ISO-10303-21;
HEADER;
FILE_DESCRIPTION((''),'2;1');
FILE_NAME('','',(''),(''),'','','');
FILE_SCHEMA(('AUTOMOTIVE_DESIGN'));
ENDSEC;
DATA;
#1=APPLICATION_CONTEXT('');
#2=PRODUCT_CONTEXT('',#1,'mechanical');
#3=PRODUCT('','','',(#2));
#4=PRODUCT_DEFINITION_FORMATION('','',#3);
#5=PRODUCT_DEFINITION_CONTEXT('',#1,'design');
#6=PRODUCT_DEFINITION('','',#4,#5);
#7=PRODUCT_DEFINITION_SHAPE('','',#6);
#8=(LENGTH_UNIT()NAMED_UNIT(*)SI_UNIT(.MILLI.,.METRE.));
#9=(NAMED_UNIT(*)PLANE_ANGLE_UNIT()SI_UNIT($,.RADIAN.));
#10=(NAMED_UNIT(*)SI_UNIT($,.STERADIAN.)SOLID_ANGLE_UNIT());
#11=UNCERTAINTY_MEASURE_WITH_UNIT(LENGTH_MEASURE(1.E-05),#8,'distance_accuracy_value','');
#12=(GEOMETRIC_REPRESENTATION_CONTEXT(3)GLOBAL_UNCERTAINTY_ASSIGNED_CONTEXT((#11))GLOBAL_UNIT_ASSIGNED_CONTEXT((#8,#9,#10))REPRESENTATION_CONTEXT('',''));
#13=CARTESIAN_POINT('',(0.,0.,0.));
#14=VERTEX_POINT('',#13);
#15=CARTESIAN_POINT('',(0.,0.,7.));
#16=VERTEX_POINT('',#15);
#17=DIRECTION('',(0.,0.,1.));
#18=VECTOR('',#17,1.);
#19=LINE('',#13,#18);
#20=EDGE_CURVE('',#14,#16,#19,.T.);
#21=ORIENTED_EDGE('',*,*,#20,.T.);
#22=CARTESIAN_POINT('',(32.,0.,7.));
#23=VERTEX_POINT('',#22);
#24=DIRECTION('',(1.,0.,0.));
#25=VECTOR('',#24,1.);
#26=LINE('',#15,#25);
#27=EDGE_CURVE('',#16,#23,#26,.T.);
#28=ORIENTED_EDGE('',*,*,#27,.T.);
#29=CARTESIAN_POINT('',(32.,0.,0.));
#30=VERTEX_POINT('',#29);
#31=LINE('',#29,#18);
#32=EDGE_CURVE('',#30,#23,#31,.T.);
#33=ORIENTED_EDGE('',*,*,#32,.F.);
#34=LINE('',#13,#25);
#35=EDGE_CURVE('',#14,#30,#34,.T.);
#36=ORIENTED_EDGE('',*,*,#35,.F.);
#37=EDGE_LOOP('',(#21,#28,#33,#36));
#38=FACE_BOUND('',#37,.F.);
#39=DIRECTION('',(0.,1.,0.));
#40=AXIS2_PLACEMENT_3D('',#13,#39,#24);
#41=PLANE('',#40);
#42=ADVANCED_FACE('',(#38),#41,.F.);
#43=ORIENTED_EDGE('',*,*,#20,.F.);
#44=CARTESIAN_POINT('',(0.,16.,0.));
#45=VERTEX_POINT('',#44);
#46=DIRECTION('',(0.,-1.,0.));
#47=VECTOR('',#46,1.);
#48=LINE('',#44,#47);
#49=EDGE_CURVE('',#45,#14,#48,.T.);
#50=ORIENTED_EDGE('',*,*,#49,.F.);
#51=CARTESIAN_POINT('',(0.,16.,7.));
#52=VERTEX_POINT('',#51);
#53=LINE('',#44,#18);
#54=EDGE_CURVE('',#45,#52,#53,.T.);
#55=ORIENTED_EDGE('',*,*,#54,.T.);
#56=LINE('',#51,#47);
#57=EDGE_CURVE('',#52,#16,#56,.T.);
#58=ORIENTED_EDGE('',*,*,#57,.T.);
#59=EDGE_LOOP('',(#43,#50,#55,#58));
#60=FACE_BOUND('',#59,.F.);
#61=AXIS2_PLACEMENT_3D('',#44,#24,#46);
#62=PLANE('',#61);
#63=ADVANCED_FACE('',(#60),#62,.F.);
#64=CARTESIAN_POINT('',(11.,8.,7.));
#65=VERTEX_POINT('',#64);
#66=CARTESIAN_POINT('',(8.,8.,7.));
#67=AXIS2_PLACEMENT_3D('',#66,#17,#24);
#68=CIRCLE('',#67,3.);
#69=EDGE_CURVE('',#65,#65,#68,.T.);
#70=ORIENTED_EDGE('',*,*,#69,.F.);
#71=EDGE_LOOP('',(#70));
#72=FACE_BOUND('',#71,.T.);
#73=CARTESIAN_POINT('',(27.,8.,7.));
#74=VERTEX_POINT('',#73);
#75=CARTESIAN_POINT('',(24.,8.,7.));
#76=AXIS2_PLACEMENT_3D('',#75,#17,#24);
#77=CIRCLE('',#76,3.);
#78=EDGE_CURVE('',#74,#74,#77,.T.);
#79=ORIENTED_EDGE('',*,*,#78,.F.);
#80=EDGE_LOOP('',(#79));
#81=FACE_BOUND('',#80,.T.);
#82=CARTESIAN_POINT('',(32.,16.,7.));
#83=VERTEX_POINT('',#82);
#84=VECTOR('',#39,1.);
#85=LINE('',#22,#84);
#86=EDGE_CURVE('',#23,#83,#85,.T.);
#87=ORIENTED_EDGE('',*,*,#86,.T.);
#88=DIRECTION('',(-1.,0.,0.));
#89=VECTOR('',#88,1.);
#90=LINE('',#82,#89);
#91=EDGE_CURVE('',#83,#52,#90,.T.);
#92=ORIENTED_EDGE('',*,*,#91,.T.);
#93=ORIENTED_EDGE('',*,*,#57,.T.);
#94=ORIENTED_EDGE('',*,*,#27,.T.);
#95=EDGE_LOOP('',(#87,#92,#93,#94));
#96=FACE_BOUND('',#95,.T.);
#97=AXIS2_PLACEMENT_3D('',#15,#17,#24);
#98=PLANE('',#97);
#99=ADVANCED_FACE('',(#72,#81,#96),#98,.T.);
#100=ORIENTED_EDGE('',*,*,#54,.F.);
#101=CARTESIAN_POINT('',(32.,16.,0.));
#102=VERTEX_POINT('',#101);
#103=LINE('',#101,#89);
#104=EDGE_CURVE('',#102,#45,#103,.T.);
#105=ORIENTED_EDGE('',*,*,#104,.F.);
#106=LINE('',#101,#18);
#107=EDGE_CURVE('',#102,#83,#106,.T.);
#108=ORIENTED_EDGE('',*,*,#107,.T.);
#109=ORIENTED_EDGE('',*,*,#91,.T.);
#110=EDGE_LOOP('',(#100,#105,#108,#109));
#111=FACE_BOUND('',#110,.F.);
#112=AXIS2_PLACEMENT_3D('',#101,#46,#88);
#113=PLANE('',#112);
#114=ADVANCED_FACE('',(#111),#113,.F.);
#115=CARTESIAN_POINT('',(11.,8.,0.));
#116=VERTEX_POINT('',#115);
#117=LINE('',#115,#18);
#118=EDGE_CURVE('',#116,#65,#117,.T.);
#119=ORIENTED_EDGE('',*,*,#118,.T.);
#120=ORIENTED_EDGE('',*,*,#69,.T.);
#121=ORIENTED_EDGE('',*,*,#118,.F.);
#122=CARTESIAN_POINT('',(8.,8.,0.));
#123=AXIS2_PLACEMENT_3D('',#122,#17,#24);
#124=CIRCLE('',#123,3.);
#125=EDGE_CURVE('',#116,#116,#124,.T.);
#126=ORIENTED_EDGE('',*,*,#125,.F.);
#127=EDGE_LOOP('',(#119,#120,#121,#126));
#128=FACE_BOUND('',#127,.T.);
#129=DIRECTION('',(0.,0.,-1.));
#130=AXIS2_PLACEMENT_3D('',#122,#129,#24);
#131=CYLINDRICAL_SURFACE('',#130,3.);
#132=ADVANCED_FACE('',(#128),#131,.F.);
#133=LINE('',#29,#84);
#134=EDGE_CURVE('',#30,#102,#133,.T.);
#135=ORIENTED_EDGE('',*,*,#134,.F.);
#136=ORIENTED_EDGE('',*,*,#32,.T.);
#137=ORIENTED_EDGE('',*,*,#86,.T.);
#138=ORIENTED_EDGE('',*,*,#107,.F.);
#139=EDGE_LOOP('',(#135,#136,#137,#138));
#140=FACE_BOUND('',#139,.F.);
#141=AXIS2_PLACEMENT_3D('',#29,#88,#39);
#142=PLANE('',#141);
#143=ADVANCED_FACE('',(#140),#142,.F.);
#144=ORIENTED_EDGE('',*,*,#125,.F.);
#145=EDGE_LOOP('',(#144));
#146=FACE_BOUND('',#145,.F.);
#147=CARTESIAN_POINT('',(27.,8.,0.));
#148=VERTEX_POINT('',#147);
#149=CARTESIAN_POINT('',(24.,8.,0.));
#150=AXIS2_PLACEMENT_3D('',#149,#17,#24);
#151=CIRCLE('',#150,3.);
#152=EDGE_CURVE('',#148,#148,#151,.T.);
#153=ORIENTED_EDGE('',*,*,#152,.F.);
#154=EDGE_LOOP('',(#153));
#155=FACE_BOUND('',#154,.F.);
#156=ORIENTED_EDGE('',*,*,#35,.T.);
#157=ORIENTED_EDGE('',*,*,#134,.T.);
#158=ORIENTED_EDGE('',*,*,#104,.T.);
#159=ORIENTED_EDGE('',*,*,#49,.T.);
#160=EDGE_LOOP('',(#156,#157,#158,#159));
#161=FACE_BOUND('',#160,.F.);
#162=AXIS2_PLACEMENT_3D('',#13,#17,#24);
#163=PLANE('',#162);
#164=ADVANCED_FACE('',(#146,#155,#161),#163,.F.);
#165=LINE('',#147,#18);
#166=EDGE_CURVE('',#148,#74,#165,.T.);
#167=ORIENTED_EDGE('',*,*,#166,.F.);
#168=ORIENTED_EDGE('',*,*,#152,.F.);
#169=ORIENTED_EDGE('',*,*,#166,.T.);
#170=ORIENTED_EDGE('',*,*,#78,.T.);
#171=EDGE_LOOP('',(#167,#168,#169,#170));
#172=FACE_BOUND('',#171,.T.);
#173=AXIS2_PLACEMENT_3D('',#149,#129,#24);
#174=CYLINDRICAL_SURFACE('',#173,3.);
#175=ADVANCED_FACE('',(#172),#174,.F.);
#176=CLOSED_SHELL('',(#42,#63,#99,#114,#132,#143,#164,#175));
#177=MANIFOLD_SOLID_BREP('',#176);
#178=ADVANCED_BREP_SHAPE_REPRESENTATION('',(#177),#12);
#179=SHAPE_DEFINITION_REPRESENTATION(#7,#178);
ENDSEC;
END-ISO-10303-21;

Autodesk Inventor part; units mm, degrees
ref_plane "YZ Plane" through (0, 0, 0) normal (1, 0, 0) x (0, 1, 0)
ref_plane "XZ Plane" through (0, 0, 0) normal (0, 1, 0) x (-1, 0, 0)
ref_plane "XY Plane" through (0, 0, 0) normal (0, 0, 1) x (1, 0, 0)
sketch "Sketch1" plane through (0, 0, 0) normal (0, 0, 1) x (1, 0, 0)
  line L0 (0, 0) -> (32, 0)
  line L1 (32, 0) -> (32, 16)
  line L2 (32, 16) -> (0, 16)
  line L3 (0, 16) -> (0, 0)
  circle A0 centre (8, 8) radius 3
  circle A1 centre (24, 8) radius 3
  dimension "d0" = 32
  dimension "d1" = 16
  dimension "d2" = 6
  dimension "d3" = 6
  dimension "d4" = 8
  dimension "d5" = 16
extrude "Extrusion1" add sketch "Sketch1" along normal blind 7
properties part number "eighth"
